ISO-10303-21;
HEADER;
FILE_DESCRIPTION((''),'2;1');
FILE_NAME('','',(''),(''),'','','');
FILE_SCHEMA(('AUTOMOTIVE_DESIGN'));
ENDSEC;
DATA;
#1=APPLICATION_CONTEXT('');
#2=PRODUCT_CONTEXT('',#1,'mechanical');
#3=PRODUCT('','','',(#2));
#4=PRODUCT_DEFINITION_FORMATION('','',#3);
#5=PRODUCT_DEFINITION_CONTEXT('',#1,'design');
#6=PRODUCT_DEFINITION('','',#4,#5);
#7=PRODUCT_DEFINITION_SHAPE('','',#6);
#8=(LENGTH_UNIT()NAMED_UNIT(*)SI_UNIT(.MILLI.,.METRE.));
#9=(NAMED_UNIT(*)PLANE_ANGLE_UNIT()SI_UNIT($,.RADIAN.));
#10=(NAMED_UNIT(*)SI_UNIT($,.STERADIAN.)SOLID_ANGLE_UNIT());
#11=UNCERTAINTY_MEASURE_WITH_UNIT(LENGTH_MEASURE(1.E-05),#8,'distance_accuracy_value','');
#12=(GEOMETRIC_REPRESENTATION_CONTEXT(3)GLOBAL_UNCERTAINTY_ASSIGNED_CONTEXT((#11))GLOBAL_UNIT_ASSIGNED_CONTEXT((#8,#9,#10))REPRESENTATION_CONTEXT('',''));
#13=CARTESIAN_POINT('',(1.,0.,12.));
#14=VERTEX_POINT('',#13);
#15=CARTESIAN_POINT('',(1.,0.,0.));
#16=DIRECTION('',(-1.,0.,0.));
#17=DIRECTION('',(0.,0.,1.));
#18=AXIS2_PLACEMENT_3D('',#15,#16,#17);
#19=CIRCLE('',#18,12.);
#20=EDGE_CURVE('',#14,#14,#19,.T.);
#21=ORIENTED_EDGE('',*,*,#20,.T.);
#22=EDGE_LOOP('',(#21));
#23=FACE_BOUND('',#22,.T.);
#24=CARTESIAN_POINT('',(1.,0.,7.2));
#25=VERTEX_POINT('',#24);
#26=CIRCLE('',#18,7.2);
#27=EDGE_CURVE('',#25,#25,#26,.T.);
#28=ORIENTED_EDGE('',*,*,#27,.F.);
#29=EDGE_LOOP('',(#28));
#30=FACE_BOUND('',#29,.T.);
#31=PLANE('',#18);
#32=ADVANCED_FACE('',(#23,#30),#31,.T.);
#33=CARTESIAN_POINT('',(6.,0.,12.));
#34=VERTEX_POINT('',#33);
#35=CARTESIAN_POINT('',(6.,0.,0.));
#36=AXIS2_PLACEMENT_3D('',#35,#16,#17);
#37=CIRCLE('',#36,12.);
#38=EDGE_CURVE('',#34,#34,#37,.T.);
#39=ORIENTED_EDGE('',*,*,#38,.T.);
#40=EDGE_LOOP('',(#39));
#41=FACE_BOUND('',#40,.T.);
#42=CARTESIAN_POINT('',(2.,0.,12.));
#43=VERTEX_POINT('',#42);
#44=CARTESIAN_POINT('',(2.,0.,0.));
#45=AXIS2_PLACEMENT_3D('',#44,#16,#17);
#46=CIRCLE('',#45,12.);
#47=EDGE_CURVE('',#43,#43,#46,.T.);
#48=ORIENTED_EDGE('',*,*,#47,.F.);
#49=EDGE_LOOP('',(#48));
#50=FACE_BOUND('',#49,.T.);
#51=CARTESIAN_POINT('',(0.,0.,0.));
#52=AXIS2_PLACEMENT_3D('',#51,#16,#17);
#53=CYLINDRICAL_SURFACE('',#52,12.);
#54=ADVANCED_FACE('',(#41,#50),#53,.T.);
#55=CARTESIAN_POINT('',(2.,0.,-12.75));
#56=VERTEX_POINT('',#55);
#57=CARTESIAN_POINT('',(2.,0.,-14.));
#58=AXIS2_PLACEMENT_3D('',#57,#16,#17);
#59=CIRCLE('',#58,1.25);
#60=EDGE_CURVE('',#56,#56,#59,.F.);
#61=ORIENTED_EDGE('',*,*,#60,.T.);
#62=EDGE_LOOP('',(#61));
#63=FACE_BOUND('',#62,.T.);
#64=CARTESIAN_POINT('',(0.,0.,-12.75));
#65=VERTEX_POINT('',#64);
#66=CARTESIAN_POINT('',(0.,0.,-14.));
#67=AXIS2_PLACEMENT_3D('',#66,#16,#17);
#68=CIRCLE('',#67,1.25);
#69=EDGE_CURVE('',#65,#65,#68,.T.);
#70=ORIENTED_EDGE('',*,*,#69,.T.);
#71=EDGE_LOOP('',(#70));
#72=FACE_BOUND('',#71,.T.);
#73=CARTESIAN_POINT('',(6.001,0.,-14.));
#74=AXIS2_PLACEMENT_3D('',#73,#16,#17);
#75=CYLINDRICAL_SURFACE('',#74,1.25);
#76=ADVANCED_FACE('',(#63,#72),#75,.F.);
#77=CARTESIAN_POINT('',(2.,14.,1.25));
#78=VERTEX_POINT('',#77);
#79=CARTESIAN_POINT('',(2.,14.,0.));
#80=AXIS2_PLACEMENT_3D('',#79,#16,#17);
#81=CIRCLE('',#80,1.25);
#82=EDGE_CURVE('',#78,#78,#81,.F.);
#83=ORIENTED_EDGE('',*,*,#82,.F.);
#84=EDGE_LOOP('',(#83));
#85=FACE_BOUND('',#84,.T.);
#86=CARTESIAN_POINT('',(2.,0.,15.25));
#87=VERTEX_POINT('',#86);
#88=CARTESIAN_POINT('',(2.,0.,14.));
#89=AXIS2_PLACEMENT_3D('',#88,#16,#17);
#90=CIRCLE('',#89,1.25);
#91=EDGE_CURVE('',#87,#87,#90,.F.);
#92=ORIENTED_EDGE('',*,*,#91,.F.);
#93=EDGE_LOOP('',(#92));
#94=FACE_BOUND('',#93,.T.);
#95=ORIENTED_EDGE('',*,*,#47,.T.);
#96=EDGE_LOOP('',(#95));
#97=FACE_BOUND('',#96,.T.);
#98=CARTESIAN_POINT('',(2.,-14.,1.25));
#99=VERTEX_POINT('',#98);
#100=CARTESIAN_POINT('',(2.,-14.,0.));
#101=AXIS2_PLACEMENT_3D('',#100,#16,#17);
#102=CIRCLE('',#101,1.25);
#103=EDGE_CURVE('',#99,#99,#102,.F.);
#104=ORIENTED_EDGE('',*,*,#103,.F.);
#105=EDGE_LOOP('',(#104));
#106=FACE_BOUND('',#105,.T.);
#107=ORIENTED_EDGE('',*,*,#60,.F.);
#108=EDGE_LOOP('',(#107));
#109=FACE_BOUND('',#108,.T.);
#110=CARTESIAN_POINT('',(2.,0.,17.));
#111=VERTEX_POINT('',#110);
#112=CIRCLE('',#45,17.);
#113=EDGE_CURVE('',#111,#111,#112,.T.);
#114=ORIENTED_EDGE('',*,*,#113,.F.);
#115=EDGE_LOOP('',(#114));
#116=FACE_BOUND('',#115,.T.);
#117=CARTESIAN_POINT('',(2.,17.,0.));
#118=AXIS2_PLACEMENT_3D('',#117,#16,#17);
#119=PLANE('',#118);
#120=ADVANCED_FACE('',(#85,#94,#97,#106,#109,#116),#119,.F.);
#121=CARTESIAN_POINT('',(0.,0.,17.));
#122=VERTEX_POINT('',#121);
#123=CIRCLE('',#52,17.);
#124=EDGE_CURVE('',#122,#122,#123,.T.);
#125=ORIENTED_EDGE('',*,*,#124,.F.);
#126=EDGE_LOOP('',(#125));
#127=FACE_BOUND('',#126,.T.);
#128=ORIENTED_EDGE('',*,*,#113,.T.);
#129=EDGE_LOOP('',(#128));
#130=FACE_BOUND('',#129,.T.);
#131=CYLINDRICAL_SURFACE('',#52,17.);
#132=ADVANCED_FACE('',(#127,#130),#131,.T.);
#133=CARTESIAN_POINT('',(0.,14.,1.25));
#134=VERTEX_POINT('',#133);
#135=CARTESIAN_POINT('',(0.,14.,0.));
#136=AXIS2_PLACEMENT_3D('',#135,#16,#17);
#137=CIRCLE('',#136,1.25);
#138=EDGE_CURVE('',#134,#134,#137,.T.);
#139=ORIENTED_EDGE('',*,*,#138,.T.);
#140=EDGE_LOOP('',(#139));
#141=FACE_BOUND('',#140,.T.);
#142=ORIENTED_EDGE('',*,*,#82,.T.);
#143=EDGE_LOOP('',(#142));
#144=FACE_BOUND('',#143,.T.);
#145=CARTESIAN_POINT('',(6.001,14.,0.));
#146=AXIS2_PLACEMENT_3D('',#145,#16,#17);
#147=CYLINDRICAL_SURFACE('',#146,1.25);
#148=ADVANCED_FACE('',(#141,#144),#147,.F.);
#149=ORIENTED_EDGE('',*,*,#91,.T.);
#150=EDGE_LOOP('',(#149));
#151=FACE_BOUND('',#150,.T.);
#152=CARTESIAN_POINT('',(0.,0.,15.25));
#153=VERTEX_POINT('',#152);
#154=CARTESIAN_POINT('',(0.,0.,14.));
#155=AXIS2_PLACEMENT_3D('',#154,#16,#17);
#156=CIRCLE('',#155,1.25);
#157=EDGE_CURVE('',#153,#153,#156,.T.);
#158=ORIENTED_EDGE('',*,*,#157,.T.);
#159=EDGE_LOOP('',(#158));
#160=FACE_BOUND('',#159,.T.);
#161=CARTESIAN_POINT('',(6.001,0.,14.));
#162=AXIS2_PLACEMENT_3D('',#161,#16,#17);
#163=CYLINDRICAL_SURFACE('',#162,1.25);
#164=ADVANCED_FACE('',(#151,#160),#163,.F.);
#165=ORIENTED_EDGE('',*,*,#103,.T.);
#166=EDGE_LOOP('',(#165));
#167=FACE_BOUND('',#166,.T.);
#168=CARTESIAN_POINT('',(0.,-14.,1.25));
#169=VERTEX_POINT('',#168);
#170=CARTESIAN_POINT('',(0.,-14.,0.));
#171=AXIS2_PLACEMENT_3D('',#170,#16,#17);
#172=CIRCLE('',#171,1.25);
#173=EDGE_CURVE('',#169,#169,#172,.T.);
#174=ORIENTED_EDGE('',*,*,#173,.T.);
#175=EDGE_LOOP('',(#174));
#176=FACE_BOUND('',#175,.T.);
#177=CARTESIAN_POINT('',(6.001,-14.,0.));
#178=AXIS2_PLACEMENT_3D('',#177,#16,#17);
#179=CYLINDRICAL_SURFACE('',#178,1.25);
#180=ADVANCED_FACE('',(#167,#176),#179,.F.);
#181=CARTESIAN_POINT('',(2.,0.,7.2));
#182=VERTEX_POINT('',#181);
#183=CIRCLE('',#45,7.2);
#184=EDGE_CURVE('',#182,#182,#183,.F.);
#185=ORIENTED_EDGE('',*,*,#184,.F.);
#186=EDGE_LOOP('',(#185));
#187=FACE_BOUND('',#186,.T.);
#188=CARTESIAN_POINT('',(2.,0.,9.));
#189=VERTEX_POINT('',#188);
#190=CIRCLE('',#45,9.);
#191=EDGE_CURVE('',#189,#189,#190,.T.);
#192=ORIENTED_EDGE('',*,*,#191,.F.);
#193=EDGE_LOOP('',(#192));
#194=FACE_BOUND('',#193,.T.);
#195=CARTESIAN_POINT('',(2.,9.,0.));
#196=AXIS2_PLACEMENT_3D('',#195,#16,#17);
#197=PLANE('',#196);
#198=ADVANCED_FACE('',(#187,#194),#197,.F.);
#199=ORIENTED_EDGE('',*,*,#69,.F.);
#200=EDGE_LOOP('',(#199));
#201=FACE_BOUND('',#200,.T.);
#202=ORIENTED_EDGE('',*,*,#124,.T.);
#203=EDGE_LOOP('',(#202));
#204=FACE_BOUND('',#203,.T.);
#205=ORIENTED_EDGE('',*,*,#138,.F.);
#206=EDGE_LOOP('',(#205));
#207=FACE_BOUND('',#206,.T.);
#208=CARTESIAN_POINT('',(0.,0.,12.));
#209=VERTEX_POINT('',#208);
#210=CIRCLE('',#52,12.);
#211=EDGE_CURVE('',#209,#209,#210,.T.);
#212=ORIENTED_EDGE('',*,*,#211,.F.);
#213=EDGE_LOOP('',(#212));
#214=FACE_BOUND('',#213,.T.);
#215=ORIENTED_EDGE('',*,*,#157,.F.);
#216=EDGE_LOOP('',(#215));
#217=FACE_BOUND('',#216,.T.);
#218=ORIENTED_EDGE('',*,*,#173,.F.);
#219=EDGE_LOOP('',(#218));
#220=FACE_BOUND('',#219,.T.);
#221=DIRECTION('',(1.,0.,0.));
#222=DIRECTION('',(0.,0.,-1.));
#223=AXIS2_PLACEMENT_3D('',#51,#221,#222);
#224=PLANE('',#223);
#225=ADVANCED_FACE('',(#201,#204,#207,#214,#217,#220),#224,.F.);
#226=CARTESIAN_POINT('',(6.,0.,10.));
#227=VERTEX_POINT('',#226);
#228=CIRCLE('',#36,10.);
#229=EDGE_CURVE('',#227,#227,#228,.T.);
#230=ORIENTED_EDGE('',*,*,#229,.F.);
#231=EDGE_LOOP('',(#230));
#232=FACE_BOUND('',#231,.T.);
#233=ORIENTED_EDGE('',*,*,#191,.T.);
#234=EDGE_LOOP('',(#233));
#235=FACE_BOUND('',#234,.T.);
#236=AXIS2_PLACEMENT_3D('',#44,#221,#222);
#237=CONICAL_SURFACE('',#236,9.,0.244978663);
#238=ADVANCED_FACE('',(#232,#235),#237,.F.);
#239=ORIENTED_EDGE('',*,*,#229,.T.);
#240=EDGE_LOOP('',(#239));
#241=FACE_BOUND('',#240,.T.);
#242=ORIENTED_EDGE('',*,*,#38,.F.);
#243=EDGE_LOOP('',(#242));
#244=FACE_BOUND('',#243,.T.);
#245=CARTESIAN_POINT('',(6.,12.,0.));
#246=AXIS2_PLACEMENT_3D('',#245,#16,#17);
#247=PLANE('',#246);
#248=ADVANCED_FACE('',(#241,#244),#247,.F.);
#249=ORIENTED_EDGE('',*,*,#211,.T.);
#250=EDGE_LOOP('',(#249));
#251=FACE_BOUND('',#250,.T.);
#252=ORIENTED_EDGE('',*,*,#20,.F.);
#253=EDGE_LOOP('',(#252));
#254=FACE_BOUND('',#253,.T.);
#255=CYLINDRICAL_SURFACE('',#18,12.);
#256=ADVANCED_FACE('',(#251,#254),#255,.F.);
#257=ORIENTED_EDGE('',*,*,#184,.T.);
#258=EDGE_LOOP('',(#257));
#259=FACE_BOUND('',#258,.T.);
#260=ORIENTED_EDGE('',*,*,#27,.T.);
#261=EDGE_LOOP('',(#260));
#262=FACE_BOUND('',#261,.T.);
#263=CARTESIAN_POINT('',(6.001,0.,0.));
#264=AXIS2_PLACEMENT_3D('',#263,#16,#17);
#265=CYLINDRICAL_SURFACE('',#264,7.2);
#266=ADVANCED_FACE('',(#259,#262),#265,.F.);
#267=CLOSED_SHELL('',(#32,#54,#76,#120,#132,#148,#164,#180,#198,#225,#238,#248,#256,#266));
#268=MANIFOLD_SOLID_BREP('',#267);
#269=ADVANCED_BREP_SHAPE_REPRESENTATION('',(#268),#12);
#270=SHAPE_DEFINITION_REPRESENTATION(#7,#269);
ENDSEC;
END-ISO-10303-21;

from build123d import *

# Parameters (mm, degrees)
CUT_EXTRUDE3_REACH = 8
SKETCH4_R          = 1.25
SKETCH2_R          = 12
CUT_EXTRUDE4_DEPTH = 1
CUT_EXTRUDE5_REACH = 7
SKETCH5_R          = 7.2


with BuildPart() as part:
    # Sketch1 → Revolve1 (revolve)
    with BuildSketch(Plane.XY):
        Polygon((0, 0), (0, 17), (2, 17), (2, 12), (6, 12), (6, 10), (2, 9), (2, 0), align=None)
    revolve(axis=Axis((0, 0, 0), (1, 0, 0)))

    # Sketch4 → Cut-Extrude3 (cut, up to next)
    with BuildSketch(Plane.ZY, mode=Mode.PRIVATE) as cut_extrude3_sk1:
        with Locations((0, 14)):
            Circle(SKETCH4_R)
    cut_extrude3_tool1 = extrude(cut_extrude3_sk1.sketch, amount=-CUT_EXTRUDE3_REACH, mode=Mode.PRIVATE) & part.part
    add(cut_extrude3_tool1.solids().sort_by_distance((0, 14, 0))[0], mode=Mode.SUBTRACT)
    # Sketch4 → Cut-Extrude3 (cut, up to next)
    with BuildSketch(Plane.ZY, mode=Mode.PRIVATE) as cut_extrude3_sk2:
        with Locations((14, 0)):
            Circle(SKETCH4_R)
    cut_extrude3_tool2 = extrude(cut_extrude3_sk2.sketch, amount=-CUT_EXTRUDE3_REACH, mode=Mode.PRIVATE) & part.part
    add(cut_extrude3_tool2.solids().sort_by_distance((0, 0, 14))[0], mode=Mode.SUBTRACT)
    # Sketch4 → Cut-Extrude3 (cut, up to next)
    with BuildSketch(Plane.ZY, mode=Mode.PRIVATE) as cut_extrude3_sk3:
        with Locations((0, -14)):
            Circle(SKETCH4_R)
    cut_extrude3_tool3 = extrude(cut_extrude3_sk3.sketch, amount=-CUT_EXTRUDE3_REACH, mode=Mode.PRIVATE) & part.part
    add(cut_extrude3_tool3.solids().sort_by_distance((0, -14, 0))[0], mode=Mode.SUBTRACT)
    # Sketch4 → Cut-Extrude3 (cut, up to next)
    with BuildSketch(Plane.ZY, mode=Mode.PRIVATE) as cut_extrude3_sk4:
        with Locations((-14, 0)):
            Circle(SKETCH4_R)
    cut_extrude3_tool4 = extrude(cut_extrude3_sk4.sketch, amount=-CUT_EXTRUDE3_REACH, mode=Mode.PRIVATE) & part.part
    add(cut_extrude3_tool4.solids().sort_by_distance((0, 0, -14))[0], mode=Mode.SUBTRACT)

    # Sketch2 → Cut-Extrude4 (cut)
    with BuildSketch(Plane.ZY):
        Circle(SKETCH2_R)
    extrude(amount=-CUT_EXTRUDE4_DEPTH, mode=Mode.SUBTRACT)

    # Sketch5 → Cut-Extrude5 (cut, up to next)
    with BuildSketch(Plane.ZY.offset(-1), mode=Mode.PRIVATE) as cut_extrude5_sk1:
        Circle(SKETCH5_R)
    cut_extrude5_tool1 = extrude(cut_extrude5_sk1.sketch, amount=-CUT_EXTRUDE5_REACH, mode=Mode.PRIVATE) & part.part
    add(cut_extrude5_tool1.solids().sort_by_distance((1, 0, 0))[0], mode=Mode.SUBTRACT)


solid = part.part
